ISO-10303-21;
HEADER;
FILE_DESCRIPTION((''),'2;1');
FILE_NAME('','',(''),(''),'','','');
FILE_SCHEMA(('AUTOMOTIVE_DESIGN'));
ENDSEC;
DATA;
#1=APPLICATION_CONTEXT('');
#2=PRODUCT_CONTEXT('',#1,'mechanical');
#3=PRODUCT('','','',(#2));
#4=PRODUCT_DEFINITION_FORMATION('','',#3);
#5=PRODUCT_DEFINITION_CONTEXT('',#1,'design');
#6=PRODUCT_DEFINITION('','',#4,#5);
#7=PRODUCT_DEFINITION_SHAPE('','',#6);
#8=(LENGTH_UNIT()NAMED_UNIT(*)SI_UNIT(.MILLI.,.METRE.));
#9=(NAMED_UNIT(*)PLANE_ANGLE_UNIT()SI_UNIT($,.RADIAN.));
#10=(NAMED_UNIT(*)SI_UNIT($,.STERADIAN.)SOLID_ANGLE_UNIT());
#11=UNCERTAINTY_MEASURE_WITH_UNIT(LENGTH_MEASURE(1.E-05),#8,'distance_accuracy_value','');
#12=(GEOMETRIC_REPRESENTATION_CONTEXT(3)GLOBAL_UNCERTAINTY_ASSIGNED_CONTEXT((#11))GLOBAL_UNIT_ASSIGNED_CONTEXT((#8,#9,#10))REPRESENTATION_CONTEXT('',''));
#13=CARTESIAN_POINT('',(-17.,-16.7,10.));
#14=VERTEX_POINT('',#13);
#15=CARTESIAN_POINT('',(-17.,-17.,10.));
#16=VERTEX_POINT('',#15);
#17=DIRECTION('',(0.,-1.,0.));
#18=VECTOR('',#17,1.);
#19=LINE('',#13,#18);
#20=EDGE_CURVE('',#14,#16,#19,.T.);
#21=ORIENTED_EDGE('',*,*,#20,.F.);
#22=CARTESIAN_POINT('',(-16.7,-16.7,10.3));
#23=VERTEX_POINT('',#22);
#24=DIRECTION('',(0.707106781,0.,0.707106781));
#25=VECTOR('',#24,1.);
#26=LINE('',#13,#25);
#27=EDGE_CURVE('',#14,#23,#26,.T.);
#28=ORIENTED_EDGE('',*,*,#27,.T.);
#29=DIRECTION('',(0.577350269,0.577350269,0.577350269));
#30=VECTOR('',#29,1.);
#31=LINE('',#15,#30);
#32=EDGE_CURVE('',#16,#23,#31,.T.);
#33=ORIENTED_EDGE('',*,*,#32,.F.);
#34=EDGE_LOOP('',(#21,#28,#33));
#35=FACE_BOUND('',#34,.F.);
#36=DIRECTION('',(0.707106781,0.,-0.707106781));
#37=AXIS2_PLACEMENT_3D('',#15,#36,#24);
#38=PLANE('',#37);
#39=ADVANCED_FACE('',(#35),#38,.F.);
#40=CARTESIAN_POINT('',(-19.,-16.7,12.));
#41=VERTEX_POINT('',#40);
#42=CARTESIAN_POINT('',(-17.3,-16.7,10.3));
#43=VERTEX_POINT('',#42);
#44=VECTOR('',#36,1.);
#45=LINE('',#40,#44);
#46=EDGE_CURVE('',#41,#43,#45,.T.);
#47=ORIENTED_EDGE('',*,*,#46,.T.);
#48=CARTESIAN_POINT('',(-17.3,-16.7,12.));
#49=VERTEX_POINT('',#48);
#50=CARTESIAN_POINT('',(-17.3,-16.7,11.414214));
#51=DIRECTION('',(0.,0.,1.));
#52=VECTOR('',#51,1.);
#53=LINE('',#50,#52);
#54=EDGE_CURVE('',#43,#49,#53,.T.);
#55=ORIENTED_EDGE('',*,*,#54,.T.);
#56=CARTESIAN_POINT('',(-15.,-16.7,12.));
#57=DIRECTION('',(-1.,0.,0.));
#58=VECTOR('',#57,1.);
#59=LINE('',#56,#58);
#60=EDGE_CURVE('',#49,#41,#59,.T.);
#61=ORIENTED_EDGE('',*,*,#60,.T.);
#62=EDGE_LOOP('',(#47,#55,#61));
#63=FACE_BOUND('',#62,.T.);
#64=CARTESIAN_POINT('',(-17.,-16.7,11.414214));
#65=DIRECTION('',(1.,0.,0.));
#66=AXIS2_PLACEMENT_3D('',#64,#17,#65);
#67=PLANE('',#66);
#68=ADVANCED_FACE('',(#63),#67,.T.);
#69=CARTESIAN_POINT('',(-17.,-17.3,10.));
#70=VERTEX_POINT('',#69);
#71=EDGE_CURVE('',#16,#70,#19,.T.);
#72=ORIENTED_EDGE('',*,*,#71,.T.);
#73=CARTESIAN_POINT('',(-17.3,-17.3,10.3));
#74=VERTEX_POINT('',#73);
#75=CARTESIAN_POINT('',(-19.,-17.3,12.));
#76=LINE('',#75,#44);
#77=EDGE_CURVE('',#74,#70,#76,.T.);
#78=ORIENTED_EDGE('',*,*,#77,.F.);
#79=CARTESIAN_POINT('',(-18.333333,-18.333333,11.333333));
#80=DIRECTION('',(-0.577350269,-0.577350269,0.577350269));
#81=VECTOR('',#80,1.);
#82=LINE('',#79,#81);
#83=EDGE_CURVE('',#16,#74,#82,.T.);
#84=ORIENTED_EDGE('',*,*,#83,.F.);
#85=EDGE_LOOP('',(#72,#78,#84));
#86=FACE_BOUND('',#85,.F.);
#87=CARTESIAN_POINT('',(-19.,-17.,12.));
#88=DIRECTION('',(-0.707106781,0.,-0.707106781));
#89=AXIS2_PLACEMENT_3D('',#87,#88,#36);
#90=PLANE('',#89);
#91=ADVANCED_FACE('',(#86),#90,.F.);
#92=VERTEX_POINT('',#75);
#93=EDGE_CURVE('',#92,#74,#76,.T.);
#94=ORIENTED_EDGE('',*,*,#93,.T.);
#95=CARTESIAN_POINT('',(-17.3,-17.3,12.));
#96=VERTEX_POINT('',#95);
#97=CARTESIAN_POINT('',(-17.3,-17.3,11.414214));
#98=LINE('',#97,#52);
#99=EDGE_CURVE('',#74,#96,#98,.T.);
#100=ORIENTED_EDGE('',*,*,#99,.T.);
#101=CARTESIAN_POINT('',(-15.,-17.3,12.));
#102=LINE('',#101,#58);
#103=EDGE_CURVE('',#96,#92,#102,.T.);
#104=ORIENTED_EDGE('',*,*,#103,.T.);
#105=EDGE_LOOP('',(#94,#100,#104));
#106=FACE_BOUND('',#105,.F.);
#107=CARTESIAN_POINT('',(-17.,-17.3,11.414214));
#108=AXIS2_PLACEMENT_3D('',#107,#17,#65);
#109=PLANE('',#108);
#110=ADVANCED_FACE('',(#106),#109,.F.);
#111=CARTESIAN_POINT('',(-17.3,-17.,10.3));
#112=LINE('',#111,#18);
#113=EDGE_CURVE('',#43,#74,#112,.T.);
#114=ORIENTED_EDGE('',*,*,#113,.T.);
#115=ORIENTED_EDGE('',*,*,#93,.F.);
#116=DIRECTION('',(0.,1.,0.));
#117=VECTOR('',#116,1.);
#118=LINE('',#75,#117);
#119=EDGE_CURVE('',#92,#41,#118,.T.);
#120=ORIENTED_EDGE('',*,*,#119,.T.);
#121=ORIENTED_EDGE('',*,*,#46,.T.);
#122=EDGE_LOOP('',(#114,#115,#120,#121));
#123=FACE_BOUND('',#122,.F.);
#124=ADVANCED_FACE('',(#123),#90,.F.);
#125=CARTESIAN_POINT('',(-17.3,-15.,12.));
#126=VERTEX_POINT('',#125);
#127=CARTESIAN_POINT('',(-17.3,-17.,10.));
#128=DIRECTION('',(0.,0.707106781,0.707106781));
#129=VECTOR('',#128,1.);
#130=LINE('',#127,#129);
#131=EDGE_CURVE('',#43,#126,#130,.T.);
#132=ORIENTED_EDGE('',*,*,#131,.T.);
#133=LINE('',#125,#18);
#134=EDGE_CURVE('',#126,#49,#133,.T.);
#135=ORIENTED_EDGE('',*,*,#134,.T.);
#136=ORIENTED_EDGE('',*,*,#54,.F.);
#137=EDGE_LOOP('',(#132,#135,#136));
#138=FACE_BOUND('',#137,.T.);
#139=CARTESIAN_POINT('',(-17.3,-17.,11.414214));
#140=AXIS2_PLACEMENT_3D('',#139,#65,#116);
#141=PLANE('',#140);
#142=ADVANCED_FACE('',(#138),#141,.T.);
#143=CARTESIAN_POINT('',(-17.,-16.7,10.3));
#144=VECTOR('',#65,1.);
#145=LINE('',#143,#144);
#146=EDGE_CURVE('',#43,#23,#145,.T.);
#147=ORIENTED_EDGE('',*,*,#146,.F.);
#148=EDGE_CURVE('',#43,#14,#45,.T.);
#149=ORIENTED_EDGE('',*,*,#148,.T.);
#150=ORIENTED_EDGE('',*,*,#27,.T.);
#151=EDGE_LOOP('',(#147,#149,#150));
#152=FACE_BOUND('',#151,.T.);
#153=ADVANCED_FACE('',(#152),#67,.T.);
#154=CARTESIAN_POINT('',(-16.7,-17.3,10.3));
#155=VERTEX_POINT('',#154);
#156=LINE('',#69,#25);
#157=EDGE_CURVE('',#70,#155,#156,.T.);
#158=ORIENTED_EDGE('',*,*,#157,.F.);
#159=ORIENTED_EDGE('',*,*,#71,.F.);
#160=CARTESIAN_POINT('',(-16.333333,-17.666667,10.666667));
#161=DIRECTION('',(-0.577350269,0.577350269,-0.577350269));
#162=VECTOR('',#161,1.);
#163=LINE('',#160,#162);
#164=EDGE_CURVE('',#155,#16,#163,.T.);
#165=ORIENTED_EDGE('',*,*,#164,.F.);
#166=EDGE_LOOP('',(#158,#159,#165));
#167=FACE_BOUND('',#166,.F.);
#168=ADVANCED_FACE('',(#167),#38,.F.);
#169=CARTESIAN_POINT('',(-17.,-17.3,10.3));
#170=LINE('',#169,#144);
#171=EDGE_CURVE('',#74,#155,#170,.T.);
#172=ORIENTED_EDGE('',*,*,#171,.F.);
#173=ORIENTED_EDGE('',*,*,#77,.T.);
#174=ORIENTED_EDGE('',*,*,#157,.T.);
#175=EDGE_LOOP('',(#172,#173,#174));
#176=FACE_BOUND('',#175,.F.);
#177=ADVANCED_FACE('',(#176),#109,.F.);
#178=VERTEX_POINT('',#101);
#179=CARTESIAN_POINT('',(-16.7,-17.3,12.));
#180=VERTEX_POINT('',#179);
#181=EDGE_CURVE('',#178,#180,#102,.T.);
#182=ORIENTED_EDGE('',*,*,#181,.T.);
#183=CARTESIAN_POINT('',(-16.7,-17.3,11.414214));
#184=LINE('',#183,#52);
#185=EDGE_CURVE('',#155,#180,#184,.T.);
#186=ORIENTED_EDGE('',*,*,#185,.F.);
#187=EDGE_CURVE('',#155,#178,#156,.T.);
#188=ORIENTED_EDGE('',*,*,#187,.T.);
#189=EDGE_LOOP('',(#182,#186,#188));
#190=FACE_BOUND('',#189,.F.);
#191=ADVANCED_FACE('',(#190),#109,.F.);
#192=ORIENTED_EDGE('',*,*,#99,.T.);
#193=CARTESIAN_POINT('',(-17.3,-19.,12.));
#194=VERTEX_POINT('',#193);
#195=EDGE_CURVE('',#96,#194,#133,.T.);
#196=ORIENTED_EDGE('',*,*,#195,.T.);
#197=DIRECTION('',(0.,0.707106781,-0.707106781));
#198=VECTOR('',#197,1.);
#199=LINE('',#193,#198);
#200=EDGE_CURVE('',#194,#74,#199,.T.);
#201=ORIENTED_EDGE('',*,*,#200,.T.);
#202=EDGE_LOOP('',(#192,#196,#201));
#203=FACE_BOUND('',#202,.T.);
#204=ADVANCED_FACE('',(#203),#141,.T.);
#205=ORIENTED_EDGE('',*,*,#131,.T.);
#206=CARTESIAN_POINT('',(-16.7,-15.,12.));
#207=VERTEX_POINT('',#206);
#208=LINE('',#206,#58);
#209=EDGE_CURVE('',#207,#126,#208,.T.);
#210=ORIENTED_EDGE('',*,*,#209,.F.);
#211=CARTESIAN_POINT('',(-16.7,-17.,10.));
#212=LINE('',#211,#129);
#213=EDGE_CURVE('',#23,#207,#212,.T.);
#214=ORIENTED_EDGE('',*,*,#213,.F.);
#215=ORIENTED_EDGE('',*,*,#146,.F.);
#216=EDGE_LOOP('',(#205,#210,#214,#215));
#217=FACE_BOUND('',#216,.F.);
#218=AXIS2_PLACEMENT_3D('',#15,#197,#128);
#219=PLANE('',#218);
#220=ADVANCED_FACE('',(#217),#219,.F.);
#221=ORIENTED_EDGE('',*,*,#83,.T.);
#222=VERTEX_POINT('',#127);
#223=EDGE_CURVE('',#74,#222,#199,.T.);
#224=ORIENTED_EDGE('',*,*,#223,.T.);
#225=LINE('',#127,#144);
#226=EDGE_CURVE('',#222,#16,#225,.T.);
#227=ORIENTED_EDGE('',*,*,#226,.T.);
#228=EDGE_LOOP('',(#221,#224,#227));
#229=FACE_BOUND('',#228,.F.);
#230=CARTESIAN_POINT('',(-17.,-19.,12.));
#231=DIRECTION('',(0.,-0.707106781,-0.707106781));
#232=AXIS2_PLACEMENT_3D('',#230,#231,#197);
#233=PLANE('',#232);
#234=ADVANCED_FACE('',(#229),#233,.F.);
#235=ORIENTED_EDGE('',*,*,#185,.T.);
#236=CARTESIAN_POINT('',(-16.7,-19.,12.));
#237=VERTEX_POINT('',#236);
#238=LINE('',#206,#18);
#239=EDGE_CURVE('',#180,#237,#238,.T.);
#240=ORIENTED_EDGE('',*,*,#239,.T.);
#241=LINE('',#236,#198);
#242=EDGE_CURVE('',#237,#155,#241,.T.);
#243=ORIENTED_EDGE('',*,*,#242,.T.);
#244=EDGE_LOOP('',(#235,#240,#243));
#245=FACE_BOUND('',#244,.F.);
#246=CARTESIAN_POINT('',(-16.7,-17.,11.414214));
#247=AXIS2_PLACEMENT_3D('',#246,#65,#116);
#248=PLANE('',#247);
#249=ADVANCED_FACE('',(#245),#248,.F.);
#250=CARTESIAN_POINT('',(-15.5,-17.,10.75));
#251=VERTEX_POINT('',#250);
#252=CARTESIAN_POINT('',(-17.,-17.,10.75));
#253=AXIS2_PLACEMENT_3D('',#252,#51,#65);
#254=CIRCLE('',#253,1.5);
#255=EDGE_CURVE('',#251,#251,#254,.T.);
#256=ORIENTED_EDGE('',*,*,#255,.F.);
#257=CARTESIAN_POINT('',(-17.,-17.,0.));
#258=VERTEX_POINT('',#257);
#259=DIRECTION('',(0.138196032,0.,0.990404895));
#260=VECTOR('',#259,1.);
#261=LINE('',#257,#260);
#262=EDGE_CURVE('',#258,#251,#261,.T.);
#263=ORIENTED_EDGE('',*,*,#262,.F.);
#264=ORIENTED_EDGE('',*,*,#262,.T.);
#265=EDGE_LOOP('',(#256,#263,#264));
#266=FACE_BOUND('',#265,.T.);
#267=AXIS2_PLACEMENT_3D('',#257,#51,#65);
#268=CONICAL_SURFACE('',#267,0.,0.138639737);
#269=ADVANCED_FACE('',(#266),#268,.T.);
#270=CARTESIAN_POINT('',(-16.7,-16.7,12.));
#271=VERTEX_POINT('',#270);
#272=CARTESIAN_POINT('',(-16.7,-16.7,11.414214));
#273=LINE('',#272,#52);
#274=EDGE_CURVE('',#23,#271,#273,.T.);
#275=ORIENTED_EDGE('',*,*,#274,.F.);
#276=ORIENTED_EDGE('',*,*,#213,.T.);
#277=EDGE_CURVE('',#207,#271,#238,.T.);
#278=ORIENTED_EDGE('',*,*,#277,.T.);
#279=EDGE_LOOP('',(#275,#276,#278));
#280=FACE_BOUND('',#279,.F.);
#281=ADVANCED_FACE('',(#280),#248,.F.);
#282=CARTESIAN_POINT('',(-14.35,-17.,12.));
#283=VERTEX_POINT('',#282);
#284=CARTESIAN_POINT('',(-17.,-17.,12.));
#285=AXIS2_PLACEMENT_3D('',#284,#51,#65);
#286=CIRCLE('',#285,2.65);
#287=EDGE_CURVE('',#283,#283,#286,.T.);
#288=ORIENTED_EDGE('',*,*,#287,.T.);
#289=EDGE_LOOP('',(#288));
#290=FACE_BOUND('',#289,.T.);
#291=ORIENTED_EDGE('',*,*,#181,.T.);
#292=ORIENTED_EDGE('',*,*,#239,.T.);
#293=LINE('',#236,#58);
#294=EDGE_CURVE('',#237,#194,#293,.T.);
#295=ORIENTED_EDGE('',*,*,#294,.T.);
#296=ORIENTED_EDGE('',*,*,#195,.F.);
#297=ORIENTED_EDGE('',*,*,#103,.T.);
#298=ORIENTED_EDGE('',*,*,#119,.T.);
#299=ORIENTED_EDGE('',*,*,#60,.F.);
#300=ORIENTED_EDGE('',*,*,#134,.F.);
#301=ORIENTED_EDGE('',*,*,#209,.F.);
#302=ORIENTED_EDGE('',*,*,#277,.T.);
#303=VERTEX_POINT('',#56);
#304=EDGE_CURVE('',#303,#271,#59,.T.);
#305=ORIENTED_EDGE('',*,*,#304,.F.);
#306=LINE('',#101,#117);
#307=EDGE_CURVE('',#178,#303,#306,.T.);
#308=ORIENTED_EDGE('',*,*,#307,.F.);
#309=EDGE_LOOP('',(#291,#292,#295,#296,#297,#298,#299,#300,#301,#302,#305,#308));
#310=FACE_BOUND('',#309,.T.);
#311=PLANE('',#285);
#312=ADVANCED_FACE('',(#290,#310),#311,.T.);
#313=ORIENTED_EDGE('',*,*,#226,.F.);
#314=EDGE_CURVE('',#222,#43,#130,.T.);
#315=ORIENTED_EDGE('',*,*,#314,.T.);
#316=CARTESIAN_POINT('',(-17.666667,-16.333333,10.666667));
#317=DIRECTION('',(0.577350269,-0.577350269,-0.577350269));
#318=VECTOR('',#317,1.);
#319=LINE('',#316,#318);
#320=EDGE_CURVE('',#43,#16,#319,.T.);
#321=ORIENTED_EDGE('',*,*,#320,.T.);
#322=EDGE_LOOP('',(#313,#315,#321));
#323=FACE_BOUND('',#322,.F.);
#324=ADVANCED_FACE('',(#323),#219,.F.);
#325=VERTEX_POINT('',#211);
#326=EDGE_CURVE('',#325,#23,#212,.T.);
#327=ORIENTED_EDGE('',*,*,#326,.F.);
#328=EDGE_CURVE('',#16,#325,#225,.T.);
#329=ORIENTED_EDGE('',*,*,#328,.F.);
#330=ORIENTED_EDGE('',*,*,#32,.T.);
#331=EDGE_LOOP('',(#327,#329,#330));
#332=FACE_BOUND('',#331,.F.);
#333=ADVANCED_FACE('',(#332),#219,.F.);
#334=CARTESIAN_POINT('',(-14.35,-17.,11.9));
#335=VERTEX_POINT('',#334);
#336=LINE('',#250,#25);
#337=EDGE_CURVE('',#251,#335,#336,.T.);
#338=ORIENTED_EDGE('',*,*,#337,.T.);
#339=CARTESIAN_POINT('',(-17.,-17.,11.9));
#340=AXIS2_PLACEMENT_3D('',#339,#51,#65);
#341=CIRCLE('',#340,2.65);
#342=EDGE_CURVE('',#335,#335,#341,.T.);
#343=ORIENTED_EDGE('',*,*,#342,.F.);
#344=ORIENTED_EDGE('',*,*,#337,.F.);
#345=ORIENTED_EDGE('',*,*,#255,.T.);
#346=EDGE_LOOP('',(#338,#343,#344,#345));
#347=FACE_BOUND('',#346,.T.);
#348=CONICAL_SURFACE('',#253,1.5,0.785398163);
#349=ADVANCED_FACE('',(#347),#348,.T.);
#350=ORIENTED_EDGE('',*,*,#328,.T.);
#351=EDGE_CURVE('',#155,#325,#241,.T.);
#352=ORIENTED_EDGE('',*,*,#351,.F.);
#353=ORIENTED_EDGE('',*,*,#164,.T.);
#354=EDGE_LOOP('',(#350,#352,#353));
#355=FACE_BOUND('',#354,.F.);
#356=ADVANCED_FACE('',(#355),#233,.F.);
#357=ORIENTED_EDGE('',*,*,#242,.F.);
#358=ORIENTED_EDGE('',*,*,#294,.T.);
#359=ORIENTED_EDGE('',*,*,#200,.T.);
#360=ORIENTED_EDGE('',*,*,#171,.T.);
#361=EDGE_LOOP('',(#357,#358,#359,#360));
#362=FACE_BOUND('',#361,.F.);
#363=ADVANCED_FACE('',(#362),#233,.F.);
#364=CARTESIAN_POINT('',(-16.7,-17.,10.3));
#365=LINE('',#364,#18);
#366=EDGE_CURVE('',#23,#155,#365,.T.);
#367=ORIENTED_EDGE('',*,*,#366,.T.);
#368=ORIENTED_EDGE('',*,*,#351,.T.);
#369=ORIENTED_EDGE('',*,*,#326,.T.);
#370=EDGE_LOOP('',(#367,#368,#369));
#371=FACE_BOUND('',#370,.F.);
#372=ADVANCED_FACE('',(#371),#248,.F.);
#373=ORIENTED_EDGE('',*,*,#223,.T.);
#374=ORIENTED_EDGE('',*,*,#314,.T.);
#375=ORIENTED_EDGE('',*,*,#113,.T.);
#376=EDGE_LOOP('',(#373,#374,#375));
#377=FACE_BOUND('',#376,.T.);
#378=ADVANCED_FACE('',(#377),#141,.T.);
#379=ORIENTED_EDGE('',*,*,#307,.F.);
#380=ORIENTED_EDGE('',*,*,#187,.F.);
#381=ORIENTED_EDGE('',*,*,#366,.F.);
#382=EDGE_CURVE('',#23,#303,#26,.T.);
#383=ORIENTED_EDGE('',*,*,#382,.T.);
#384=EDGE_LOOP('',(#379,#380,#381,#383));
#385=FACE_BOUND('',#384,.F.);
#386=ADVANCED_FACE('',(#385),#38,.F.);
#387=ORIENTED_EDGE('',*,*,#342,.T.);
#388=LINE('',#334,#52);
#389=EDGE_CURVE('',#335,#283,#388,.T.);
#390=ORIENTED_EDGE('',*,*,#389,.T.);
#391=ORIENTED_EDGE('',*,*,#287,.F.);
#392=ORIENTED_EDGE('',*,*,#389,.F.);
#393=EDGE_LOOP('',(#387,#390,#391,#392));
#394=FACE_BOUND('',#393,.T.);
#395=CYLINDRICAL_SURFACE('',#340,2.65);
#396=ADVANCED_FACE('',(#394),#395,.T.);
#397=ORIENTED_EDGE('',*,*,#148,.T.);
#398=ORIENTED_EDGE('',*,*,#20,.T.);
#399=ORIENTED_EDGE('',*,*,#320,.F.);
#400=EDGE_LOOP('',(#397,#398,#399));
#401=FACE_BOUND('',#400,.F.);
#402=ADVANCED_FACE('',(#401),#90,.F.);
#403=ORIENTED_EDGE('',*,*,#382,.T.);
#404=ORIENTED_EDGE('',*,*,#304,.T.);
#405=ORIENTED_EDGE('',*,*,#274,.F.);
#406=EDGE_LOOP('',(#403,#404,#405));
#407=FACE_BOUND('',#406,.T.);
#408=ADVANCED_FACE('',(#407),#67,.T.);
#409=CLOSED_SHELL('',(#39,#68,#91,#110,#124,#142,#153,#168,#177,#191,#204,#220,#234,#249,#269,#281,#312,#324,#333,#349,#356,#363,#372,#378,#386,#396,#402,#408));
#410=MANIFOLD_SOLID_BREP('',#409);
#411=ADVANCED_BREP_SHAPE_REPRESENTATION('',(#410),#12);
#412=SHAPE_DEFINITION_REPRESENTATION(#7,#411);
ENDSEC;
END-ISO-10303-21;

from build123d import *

# Parameters (mm, degrees)
POCKET002_DEPTH       = 0.3
POLARPATTERN001_COUNT = 2
POLARPATTERN001_ANGLE = 90


with BuildPart() as part:
    # Sketch015 → Revolution001 (revolve)
    with BuildSketch(Plane.XZ):
        Polygon((0, 0), (0, -12), (1.5, -1.25), (2.65, -0.1), (2.65, 0), align=None)
    revolve(axis=Axis((0, 0, 0), (0, 0, 1)))

    # Sketch016 → Pocket002 (cut, symmetric)
    with BuildSketch(Plane.XZ):
        Polygon((-2, 0), (0, -2), (2, 0), align=None)
    pocket002 = extrude(amount=POCKET002_DEPTH, both=True, mode=Mode.SUBTRACT)

    # PolarPattern001: Pocket002 ×2 about axis
    polarpattern001_axis = Axis((0, 0, 0), (0, 0, 1))
    for i in range(1, POLARPATTERN001_COUNT):
        add(pocket002.rotate(polarpattern001_axis, i * POLARPATTERN001_ANGLE / (POLARPATTERN001_COUNT - 1)), mode=Mode.SUBTRACT)


with BuildPart() as part_1:
    # Body012 placement: moved
    add(part.part.moved(Location((-17, -17, 12))))


solid = part_1.part
